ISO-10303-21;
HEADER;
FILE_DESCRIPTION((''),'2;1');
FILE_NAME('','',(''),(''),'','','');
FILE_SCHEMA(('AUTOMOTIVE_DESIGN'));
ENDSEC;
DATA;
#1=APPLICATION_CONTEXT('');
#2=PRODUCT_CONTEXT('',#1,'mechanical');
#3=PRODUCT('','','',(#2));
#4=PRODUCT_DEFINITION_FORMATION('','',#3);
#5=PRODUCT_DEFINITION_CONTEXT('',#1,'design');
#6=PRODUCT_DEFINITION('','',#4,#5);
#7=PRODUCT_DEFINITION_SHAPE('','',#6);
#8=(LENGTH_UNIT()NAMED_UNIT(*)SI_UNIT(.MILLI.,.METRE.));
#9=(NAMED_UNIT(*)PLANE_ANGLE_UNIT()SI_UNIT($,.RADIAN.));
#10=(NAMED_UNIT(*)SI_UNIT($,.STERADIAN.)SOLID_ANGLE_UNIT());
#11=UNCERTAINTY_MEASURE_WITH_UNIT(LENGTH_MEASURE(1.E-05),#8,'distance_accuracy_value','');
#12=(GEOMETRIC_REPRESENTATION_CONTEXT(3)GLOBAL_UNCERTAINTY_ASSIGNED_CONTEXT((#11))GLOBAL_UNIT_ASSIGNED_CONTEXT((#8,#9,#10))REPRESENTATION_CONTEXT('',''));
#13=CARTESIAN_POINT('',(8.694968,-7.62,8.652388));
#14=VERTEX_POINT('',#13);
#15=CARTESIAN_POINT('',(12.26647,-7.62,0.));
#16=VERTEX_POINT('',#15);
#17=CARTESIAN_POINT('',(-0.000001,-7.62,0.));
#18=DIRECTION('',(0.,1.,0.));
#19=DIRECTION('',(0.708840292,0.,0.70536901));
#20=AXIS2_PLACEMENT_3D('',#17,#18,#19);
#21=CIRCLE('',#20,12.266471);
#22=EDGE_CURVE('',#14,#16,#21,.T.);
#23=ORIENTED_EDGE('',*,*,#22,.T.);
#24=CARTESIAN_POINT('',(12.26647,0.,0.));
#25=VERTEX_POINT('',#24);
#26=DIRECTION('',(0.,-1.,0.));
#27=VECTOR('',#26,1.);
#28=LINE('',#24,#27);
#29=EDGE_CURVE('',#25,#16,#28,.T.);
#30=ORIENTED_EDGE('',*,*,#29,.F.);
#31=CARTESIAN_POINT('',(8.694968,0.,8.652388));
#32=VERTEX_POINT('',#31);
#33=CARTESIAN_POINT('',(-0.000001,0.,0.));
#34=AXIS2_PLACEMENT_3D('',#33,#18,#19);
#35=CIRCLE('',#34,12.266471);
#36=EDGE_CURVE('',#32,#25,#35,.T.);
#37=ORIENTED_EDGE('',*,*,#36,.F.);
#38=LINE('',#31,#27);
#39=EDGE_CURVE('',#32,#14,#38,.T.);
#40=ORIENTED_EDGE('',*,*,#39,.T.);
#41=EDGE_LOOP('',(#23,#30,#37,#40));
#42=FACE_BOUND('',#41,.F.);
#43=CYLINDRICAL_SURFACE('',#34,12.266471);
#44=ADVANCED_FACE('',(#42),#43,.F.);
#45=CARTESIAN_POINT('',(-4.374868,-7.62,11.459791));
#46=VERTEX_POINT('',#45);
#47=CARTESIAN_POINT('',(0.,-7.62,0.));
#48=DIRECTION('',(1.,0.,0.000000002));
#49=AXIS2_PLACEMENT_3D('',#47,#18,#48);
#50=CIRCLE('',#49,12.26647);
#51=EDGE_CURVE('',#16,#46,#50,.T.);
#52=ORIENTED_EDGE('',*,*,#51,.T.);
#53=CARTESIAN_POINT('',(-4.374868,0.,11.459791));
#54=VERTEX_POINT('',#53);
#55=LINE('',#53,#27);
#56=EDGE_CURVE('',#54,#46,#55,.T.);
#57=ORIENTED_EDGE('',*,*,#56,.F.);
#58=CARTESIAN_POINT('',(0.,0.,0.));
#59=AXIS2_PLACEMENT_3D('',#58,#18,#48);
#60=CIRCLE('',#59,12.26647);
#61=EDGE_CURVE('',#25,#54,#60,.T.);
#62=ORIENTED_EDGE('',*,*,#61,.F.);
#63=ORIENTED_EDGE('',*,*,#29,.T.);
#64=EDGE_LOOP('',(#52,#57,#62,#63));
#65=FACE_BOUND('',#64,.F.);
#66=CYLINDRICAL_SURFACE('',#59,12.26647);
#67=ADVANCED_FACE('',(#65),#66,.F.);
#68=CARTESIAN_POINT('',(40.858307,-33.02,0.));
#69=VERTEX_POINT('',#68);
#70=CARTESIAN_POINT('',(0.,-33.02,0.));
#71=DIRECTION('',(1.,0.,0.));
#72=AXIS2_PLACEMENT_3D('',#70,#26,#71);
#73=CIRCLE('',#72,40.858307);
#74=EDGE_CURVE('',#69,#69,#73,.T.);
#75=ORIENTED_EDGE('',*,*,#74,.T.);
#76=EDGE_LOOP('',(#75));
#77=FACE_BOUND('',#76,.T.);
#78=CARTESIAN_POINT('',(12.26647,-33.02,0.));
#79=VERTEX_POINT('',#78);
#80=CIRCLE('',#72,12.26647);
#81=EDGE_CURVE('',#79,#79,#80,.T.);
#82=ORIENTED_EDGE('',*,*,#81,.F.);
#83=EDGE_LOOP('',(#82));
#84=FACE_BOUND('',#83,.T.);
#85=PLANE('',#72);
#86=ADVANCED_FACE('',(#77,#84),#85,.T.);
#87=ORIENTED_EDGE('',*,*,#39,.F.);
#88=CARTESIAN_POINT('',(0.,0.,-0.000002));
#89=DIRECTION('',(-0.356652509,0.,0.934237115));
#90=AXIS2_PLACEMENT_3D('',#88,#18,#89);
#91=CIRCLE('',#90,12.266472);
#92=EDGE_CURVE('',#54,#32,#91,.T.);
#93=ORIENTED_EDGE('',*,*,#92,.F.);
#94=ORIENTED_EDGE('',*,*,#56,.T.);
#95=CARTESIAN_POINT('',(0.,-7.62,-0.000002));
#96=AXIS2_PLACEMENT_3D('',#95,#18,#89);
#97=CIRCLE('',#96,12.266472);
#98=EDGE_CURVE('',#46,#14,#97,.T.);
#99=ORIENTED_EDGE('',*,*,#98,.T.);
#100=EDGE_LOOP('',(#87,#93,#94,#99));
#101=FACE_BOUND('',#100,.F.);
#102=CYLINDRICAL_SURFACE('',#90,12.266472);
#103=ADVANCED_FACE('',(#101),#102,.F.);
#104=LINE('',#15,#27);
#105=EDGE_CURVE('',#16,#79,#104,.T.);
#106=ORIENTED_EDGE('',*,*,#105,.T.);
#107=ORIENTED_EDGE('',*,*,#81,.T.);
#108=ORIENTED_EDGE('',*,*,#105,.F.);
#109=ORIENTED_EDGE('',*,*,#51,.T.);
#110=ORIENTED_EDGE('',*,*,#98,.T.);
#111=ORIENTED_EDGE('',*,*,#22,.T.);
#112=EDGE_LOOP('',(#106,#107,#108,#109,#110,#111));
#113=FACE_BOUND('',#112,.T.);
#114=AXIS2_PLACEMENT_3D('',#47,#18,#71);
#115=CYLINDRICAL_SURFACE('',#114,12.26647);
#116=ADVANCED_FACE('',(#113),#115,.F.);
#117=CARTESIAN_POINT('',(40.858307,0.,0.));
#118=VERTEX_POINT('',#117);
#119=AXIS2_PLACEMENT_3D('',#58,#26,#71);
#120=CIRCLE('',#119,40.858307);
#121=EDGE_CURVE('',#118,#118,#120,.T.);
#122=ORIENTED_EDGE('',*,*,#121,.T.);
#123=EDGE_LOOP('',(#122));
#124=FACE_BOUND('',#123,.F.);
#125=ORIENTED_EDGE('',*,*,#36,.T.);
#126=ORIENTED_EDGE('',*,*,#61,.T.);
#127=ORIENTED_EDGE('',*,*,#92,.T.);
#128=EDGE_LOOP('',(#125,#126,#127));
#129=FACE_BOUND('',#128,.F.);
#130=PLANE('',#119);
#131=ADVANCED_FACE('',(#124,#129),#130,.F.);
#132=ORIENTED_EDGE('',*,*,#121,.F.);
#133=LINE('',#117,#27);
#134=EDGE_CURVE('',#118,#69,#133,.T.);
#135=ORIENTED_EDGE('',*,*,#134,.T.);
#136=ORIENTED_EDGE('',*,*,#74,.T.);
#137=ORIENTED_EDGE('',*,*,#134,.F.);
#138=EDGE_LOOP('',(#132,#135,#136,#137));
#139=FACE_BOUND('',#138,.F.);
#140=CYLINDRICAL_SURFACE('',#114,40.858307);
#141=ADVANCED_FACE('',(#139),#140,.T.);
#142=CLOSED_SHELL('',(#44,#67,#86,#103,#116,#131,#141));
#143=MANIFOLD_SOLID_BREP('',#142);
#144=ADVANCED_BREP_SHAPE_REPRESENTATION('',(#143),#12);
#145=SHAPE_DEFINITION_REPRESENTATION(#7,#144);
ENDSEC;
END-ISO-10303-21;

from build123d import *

# Parameters (mm, degrees)
F1_R        = 28.961798
F0_R        = 28.961798
F0_R_2      = 12.26647
F0_R_3      = 40.858307
F2_DEPTH    = 7.62
F2_FACE_R   = 40.858307
F2_FACE_R_2 = 12.26647
F3_DEPTH    = 25.4


with BuildPart() as f2:
    # F1 (on face) + F0 (on Front) → F2 (new body)
    with BuildSketch(Plane.XZ):
        Circle(F1_R)
        with BuildLine():
            ThreePointArc((8.694968, 8.652388), (11.338493, 4.680263), (12.26647, 0))
            ThreePointArc((12.26647, 0), (-6.957086, -10.102734), (-4.374868, 11.459791))
            ThreePointArc((-4.374868, 11.459791), (2.576081, 11.992918), (8.694968, 8.652388))
        make_face(mode=Mode.SUBTRACT)
    with BuildSketch(Plane.XZ):
        Circle(F0_R)
        Circle(F0_R_2, mode=Mode.SUBTRACT)
        Circle(F0_R_3)
        Circle(F0_R, mode=Mode.SUBTRACT)
    extrude(amount=F2_DEPTH)

    # F2_face (on face) → F3 (join)
    with BuildSketch(Plane.XZ.offset(7.62)):
        Circle(F2_FACE_R)
        Circle(F2_FACE_R_2, mode=Mode.SUBTRACT)
    extrude(amount=F3_DEPTH)


solid = f2.part
